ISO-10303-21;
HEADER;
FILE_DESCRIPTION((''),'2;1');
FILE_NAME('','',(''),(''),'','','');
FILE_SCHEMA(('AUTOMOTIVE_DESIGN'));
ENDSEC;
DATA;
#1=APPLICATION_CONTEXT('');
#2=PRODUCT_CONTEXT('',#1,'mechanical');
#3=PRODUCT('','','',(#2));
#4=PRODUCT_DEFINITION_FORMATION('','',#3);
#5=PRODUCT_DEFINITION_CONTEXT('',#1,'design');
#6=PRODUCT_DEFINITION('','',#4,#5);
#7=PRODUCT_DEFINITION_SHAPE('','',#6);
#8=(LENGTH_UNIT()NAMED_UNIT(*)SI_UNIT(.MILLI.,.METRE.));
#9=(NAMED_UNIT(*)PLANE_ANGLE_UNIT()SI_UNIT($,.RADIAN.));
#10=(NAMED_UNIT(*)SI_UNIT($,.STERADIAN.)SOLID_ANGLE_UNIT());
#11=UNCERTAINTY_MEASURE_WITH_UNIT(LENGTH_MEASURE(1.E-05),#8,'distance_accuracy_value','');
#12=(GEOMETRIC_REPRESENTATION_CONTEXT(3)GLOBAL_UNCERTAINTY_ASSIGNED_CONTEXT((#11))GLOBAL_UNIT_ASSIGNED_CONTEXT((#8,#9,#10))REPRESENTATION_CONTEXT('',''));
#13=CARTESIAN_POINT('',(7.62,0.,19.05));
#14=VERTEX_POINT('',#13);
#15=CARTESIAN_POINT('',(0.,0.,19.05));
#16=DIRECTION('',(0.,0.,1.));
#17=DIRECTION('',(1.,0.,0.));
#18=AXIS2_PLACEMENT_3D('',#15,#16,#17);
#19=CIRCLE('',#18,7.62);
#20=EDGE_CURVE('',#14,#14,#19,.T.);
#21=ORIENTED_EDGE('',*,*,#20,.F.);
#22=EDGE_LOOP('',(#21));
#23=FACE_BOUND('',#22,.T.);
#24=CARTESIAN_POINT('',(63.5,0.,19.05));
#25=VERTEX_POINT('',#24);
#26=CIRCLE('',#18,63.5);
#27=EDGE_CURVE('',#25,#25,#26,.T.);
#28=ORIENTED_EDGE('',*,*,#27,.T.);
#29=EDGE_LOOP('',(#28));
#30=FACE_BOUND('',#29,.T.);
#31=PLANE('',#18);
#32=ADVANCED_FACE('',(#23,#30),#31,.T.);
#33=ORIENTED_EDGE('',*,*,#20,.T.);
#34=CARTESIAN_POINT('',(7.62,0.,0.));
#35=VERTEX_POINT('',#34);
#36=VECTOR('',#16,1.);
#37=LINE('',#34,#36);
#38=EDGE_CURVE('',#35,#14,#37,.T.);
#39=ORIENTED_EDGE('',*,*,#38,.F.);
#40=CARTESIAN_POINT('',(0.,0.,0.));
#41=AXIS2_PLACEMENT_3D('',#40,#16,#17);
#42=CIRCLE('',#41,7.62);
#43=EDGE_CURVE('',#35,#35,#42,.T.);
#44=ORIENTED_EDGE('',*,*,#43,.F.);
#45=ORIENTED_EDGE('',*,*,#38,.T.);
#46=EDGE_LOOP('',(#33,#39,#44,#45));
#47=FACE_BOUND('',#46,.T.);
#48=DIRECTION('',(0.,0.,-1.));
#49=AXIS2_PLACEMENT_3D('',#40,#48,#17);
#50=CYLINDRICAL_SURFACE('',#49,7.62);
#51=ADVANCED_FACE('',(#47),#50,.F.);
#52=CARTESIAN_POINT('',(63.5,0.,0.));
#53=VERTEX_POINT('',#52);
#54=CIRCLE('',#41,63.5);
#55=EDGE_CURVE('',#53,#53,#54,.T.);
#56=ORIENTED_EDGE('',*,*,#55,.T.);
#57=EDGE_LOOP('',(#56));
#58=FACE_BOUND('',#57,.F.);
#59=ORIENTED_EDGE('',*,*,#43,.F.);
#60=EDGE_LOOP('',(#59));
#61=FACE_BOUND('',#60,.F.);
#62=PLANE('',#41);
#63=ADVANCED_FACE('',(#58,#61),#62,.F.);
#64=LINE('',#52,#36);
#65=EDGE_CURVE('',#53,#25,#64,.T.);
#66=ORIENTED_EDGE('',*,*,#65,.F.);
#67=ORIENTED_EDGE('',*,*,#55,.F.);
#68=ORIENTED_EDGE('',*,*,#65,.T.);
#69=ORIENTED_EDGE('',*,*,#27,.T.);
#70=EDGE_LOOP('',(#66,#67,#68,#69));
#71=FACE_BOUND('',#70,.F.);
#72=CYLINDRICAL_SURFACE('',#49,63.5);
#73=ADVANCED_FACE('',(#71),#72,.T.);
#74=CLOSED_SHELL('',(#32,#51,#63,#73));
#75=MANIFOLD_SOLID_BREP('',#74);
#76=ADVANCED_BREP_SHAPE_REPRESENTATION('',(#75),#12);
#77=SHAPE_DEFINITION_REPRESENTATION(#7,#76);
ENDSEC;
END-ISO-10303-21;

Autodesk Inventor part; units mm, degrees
ref_plane "YZ Plane" through (0, 0, 0) normal (1, 0, 0) x (0, 1, 0)
ref_plane "XZ Plane" through (0, 0, 0) normal (0, 1, 0) x (-1, 0, 0)
ref_plane "XY Plane" through (0, 0, 0) normal (0, 0, 1) x (1, 0, 0)
sketch "Sketch1" plane through (0, 0, 0) normal (0, 0, 1) x (1, 0, 0)
  circle A0 centre (0, 0) radius 7.62
  circle A1 centre (0, 0) radius 63.5
  dimension "d0" = 15.24
  dimension "d1" = 127
extrude "Extrusion1" add sketch "Sketch1" along normal blind 19.05
properties part number "topCoverVacuumInsulation"
